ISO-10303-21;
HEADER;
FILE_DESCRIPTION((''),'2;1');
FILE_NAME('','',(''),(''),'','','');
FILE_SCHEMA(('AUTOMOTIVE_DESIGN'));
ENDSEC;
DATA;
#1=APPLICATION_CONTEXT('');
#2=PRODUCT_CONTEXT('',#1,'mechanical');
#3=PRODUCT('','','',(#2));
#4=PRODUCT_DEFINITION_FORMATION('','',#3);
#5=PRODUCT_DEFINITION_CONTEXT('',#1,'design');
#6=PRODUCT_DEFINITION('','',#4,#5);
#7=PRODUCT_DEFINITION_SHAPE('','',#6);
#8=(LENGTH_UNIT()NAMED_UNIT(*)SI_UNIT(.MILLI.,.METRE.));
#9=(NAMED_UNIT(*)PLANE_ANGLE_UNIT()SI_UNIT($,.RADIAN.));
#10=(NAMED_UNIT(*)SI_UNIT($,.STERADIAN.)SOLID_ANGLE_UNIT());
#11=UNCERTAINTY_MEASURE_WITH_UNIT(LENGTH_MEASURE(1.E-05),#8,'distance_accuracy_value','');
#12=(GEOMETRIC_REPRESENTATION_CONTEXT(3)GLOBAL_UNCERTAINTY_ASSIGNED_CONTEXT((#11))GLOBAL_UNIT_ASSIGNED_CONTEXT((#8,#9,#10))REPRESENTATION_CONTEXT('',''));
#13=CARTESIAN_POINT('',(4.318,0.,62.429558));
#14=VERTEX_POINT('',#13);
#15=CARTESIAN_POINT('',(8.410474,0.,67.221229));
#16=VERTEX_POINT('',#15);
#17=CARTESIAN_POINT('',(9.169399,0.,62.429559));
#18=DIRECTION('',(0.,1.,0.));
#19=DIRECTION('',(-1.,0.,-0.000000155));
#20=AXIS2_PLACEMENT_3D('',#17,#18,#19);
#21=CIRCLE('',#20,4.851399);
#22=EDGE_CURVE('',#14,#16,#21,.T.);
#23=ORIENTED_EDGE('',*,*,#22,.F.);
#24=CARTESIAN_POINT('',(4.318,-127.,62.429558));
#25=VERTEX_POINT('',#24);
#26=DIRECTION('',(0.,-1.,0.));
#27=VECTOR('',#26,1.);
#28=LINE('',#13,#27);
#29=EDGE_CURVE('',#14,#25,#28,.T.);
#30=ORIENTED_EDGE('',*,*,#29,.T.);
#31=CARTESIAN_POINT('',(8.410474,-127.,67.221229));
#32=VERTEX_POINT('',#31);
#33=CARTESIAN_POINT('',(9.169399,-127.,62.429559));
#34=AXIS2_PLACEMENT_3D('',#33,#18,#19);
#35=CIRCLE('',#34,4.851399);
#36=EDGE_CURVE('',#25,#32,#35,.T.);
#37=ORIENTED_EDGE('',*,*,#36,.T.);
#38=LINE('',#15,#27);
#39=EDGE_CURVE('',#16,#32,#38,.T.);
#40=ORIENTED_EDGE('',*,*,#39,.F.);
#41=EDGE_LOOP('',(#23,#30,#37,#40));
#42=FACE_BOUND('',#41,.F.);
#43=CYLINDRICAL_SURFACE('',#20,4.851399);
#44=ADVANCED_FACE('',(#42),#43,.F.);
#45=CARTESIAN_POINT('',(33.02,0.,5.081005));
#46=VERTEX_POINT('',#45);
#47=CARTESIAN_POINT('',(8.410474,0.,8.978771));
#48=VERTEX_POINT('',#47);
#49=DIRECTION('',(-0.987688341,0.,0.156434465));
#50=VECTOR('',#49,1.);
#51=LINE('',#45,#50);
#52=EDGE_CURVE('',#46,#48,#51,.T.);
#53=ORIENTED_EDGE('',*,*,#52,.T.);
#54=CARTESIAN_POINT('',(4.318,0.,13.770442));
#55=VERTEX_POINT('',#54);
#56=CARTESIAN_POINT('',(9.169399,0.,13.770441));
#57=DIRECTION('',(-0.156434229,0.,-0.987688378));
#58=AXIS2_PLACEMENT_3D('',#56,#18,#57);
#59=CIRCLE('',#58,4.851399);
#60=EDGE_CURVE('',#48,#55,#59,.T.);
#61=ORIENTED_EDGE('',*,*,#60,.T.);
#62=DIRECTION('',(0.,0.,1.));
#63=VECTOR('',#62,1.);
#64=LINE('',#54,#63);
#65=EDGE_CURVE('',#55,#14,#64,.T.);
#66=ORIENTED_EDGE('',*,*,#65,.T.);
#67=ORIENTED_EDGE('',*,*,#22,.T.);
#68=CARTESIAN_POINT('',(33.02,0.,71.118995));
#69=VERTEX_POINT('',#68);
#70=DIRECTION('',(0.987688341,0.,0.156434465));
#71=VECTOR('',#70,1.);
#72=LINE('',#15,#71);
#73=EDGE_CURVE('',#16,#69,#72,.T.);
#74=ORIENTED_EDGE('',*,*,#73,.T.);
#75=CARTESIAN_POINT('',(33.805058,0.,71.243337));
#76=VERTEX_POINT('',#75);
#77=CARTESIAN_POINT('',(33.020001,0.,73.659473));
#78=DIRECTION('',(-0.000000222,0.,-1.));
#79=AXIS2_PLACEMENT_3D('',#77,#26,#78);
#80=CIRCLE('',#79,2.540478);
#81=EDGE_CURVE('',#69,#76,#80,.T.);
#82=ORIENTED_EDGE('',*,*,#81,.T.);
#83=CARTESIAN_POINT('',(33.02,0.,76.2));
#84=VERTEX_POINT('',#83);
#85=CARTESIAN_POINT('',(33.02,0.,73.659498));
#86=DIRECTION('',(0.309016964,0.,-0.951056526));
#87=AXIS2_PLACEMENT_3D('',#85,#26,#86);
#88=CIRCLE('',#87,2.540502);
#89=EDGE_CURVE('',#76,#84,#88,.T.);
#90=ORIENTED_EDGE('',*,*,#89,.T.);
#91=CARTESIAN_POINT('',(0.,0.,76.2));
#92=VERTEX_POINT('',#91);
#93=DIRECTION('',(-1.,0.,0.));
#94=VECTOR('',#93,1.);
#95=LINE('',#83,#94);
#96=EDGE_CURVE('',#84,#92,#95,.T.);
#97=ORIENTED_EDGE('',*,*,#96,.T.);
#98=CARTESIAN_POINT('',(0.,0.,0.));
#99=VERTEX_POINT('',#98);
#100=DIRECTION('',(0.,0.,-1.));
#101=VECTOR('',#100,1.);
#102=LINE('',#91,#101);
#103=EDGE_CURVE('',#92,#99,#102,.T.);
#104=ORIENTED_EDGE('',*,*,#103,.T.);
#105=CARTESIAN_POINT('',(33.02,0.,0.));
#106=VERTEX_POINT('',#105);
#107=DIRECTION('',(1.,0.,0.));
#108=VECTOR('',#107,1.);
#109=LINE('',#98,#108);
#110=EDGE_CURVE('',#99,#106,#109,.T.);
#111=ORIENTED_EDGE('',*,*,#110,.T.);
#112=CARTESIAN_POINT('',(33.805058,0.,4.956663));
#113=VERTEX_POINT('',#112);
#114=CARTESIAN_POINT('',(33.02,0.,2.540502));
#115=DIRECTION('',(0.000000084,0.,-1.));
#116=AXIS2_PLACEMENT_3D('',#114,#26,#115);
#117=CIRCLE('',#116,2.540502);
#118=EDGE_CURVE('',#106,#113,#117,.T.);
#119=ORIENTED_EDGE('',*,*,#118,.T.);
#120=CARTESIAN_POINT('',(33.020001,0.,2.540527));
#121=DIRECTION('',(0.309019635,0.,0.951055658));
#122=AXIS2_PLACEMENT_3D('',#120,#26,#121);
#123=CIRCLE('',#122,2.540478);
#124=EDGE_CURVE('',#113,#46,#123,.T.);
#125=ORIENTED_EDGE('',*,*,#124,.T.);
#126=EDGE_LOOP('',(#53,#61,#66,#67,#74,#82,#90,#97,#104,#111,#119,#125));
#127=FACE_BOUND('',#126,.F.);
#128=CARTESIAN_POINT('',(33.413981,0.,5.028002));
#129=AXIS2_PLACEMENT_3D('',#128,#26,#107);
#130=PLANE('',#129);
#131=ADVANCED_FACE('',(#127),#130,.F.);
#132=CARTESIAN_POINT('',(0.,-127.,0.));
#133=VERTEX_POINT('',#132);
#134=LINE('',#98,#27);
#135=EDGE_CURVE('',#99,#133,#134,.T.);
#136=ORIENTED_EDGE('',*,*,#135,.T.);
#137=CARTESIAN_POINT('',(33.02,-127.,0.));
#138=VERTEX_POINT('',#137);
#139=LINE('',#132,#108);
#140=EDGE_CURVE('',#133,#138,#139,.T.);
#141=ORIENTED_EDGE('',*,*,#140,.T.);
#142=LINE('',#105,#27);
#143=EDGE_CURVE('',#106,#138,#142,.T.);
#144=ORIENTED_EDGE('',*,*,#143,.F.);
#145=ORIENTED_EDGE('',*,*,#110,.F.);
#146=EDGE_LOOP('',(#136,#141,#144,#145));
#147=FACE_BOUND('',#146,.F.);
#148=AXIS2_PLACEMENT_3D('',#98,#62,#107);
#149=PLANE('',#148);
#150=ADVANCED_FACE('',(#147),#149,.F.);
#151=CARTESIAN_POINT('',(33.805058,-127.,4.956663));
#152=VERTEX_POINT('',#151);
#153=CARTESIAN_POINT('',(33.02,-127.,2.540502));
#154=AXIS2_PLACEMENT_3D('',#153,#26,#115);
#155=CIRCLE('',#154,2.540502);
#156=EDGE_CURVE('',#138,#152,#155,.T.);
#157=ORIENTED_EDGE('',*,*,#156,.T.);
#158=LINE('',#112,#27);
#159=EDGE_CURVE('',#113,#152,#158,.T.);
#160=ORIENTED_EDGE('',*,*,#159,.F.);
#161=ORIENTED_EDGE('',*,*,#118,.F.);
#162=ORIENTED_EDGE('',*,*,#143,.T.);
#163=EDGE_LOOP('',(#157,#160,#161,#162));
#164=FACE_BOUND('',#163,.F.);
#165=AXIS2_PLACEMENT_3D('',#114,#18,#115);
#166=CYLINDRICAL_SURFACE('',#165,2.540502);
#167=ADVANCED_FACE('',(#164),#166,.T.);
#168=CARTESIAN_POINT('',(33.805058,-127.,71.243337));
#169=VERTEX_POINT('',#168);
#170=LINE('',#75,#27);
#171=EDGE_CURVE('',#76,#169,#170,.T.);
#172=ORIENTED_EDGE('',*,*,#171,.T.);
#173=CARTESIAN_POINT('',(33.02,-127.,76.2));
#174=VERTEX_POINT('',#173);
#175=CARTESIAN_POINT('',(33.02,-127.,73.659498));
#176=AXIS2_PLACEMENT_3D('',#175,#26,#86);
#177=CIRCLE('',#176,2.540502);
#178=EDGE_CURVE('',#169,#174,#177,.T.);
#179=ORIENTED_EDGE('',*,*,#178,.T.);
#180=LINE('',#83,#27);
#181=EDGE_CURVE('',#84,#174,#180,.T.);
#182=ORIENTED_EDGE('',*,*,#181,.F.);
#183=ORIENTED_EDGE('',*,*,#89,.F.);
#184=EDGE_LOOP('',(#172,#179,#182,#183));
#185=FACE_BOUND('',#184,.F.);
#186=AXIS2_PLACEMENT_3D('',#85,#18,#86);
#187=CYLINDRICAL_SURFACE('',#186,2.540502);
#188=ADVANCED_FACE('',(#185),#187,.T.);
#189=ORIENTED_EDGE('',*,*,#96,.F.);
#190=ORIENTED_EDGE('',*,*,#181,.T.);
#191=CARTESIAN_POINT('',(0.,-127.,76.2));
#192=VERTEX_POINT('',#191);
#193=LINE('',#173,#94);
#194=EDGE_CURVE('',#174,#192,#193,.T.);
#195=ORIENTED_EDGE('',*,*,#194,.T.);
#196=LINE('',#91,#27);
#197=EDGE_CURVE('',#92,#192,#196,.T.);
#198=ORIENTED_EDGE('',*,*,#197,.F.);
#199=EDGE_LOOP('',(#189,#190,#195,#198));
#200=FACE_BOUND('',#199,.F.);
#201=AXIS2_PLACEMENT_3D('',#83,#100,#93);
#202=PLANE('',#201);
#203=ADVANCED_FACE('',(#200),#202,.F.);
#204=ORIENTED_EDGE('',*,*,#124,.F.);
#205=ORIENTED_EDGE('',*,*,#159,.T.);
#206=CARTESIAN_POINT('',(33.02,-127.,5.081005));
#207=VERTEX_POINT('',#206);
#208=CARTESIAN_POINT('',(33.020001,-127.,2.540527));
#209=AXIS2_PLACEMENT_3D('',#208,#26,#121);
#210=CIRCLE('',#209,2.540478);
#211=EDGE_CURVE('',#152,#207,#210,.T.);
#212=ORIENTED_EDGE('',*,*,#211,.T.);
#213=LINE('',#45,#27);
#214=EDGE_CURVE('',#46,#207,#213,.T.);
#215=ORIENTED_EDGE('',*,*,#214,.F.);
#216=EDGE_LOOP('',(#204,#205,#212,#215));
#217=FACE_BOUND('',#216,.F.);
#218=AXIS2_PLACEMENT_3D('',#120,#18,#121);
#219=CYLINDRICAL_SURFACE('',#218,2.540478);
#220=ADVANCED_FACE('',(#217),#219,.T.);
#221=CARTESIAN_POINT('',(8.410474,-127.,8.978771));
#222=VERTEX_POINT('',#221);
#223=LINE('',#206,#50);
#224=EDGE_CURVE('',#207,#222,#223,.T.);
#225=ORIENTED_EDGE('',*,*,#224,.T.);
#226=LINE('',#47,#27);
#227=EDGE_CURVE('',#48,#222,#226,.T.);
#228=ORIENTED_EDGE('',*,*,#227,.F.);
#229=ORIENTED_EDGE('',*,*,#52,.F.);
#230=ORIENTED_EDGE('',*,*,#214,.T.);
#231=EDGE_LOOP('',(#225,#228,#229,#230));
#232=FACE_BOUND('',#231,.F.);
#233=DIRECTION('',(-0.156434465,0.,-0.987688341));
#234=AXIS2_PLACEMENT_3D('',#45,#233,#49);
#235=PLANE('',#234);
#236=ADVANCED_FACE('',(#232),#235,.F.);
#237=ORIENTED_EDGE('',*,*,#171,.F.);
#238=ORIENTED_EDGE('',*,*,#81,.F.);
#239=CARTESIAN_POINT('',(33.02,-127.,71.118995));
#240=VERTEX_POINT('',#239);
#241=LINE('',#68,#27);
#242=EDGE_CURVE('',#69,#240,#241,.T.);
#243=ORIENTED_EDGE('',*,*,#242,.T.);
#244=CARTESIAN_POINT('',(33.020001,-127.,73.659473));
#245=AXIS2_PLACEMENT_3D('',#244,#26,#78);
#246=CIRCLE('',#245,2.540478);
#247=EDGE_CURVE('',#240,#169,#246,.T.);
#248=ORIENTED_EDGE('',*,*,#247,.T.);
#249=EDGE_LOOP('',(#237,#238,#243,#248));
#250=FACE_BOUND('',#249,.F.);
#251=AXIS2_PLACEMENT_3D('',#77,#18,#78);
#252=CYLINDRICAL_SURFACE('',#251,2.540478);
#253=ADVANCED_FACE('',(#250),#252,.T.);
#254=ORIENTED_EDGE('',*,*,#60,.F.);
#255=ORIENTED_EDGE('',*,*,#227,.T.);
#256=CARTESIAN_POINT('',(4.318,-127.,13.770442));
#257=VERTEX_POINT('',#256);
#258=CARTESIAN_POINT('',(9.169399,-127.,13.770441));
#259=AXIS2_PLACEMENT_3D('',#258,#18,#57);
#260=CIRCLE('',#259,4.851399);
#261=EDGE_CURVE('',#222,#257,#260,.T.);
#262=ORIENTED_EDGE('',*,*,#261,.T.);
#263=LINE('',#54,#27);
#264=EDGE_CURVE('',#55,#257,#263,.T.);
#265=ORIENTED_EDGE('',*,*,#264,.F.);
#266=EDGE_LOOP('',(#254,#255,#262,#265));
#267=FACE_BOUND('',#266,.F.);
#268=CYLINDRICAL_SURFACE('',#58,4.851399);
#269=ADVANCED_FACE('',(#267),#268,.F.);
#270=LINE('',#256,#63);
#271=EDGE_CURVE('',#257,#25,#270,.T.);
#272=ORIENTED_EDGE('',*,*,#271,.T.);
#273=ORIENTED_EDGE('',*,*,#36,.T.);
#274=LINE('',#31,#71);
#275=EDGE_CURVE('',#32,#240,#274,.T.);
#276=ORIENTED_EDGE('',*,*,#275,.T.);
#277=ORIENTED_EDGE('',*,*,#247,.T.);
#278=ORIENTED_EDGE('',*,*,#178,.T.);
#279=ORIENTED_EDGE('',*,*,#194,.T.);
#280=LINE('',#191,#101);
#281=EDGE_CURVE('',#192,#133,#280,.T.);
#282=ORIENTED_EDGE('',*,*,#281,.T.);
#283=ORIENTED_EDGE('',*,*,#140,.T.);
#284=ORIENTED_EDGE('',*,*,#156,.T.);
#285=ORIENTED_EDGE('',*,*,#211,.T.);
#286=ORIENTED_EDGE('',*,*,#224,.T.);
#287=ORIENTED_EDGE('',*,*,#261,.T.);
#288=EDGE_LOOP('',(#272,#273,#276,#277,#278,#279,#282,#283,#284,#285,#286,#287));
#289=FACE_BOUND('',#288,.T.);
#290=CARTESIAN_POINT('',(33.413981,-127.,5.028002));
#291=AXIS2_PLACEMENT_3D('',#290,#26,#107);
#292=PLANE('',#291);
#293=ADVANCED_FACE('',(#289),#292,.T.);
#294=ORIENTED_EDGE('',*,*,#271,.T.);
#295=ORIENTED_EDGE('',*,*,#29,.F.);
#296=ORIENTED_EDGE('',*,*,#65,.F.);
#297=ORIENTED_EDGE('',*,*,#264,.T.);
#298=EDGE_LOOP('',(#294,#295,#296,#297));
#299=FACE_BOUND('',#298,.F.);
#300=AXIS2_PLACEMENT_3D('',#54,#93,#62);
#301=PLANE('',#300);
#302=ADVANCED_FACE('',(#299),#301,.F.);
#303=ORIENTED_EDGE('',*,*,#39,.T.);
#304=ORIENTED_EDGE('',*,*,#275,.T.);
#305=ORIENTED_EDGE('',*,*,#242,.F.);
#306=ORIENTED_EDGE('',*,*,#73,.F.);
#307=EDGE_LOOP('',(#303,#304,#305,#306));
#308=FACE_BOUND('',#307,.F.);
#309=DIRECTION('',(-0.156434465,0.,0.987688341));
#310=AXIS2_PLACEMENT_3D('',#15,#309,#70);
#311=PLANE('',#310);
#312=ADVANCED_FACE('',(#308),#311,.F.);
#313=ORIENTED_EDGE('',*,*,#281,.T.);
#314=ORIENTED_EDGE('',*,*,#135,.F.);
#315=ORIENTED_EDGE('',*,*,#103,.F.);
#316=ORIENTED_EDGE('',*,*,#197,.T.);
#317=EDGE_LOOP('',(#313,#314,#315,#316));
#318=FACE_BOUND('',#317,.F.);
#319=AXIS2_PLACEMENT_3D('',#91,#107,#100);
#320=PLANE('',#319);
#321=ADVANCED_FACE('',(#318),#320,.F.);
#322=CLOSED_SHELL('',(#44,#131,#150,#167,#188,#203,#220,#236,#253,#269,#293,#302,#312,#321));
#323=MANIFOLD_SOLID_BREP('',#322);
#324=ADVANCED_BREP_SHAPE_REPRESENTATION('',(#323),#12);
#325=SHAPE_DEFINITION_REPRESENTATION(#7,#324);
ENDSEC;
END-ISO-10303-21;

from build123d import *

# Parameters (mm, degrees)
F1_DEPTH = 127


with BuildPart() as f1:
    # F0 (on Front) → F1 (new body)
    with BuildSketch(Plane.XZ):
        with BuildLine():
            Line((33.02, 5.081005), (33.805058, 4.956663))
            ThreePointArc((33.805058, 4.956663), (33.417422, 5.049727), (33.02, 5.081005))
        make_face()
        with BuildLine():
            ThreePointArc((33.02, 71.118995), (33.417422, 71.150273), (33.805058, 71.243337))
            Line((33.805058, 71.243337), (33.02, 71.118995))
        make_face()
        with BuildLine():
            Line((0, 36.276337), (0, 0))
            Line((0, 0), (33.02, 0))
            ThreePointArc((33.02, 0), (35.529224, 2.14308), (33.805058, 4.956663))
            Line((33.805058, 4.956663), (33.02, 5.081005))
            Line((33.02, 5.081005), (8.410474, 8.978771))
            ThreePointArc((8.410474, 8.978771), (5.480366, 10.61971), (4.318, 13.770442))
            Line((4.318, 13.770442), (4.318, 36.276337))
            Line((4.318, 36.276337), (0, 36.276337))
        make_face()
        with BuildLine():
            Line((0, 76.2), (0, 36.276337))
            Line((0, 36.276337), (4.318, 36.276337))
            Line((4.318, 36.276337), (4.318, 62.429558))
            ThreePointArc((4.318, 62.429558), (5.480366, 65.58029), (8.410474, 67.221229))
            Line((8.410474, 67.221229), (33.02, 71.118995))
            Line((33.02, 71.118995), (33.805058, 71.243337))
            ThreePointArc((33.805058, 71.243337), (35.529224, 74.05692), (33.02, 76.2))
            Line((33.02, 76.2), (4.318, 76.2))
            Line((4.318, 76.2), (0, 76.2))
        make_face()
    extrude(amount=F1_DEPTH)


solid = f1.part
